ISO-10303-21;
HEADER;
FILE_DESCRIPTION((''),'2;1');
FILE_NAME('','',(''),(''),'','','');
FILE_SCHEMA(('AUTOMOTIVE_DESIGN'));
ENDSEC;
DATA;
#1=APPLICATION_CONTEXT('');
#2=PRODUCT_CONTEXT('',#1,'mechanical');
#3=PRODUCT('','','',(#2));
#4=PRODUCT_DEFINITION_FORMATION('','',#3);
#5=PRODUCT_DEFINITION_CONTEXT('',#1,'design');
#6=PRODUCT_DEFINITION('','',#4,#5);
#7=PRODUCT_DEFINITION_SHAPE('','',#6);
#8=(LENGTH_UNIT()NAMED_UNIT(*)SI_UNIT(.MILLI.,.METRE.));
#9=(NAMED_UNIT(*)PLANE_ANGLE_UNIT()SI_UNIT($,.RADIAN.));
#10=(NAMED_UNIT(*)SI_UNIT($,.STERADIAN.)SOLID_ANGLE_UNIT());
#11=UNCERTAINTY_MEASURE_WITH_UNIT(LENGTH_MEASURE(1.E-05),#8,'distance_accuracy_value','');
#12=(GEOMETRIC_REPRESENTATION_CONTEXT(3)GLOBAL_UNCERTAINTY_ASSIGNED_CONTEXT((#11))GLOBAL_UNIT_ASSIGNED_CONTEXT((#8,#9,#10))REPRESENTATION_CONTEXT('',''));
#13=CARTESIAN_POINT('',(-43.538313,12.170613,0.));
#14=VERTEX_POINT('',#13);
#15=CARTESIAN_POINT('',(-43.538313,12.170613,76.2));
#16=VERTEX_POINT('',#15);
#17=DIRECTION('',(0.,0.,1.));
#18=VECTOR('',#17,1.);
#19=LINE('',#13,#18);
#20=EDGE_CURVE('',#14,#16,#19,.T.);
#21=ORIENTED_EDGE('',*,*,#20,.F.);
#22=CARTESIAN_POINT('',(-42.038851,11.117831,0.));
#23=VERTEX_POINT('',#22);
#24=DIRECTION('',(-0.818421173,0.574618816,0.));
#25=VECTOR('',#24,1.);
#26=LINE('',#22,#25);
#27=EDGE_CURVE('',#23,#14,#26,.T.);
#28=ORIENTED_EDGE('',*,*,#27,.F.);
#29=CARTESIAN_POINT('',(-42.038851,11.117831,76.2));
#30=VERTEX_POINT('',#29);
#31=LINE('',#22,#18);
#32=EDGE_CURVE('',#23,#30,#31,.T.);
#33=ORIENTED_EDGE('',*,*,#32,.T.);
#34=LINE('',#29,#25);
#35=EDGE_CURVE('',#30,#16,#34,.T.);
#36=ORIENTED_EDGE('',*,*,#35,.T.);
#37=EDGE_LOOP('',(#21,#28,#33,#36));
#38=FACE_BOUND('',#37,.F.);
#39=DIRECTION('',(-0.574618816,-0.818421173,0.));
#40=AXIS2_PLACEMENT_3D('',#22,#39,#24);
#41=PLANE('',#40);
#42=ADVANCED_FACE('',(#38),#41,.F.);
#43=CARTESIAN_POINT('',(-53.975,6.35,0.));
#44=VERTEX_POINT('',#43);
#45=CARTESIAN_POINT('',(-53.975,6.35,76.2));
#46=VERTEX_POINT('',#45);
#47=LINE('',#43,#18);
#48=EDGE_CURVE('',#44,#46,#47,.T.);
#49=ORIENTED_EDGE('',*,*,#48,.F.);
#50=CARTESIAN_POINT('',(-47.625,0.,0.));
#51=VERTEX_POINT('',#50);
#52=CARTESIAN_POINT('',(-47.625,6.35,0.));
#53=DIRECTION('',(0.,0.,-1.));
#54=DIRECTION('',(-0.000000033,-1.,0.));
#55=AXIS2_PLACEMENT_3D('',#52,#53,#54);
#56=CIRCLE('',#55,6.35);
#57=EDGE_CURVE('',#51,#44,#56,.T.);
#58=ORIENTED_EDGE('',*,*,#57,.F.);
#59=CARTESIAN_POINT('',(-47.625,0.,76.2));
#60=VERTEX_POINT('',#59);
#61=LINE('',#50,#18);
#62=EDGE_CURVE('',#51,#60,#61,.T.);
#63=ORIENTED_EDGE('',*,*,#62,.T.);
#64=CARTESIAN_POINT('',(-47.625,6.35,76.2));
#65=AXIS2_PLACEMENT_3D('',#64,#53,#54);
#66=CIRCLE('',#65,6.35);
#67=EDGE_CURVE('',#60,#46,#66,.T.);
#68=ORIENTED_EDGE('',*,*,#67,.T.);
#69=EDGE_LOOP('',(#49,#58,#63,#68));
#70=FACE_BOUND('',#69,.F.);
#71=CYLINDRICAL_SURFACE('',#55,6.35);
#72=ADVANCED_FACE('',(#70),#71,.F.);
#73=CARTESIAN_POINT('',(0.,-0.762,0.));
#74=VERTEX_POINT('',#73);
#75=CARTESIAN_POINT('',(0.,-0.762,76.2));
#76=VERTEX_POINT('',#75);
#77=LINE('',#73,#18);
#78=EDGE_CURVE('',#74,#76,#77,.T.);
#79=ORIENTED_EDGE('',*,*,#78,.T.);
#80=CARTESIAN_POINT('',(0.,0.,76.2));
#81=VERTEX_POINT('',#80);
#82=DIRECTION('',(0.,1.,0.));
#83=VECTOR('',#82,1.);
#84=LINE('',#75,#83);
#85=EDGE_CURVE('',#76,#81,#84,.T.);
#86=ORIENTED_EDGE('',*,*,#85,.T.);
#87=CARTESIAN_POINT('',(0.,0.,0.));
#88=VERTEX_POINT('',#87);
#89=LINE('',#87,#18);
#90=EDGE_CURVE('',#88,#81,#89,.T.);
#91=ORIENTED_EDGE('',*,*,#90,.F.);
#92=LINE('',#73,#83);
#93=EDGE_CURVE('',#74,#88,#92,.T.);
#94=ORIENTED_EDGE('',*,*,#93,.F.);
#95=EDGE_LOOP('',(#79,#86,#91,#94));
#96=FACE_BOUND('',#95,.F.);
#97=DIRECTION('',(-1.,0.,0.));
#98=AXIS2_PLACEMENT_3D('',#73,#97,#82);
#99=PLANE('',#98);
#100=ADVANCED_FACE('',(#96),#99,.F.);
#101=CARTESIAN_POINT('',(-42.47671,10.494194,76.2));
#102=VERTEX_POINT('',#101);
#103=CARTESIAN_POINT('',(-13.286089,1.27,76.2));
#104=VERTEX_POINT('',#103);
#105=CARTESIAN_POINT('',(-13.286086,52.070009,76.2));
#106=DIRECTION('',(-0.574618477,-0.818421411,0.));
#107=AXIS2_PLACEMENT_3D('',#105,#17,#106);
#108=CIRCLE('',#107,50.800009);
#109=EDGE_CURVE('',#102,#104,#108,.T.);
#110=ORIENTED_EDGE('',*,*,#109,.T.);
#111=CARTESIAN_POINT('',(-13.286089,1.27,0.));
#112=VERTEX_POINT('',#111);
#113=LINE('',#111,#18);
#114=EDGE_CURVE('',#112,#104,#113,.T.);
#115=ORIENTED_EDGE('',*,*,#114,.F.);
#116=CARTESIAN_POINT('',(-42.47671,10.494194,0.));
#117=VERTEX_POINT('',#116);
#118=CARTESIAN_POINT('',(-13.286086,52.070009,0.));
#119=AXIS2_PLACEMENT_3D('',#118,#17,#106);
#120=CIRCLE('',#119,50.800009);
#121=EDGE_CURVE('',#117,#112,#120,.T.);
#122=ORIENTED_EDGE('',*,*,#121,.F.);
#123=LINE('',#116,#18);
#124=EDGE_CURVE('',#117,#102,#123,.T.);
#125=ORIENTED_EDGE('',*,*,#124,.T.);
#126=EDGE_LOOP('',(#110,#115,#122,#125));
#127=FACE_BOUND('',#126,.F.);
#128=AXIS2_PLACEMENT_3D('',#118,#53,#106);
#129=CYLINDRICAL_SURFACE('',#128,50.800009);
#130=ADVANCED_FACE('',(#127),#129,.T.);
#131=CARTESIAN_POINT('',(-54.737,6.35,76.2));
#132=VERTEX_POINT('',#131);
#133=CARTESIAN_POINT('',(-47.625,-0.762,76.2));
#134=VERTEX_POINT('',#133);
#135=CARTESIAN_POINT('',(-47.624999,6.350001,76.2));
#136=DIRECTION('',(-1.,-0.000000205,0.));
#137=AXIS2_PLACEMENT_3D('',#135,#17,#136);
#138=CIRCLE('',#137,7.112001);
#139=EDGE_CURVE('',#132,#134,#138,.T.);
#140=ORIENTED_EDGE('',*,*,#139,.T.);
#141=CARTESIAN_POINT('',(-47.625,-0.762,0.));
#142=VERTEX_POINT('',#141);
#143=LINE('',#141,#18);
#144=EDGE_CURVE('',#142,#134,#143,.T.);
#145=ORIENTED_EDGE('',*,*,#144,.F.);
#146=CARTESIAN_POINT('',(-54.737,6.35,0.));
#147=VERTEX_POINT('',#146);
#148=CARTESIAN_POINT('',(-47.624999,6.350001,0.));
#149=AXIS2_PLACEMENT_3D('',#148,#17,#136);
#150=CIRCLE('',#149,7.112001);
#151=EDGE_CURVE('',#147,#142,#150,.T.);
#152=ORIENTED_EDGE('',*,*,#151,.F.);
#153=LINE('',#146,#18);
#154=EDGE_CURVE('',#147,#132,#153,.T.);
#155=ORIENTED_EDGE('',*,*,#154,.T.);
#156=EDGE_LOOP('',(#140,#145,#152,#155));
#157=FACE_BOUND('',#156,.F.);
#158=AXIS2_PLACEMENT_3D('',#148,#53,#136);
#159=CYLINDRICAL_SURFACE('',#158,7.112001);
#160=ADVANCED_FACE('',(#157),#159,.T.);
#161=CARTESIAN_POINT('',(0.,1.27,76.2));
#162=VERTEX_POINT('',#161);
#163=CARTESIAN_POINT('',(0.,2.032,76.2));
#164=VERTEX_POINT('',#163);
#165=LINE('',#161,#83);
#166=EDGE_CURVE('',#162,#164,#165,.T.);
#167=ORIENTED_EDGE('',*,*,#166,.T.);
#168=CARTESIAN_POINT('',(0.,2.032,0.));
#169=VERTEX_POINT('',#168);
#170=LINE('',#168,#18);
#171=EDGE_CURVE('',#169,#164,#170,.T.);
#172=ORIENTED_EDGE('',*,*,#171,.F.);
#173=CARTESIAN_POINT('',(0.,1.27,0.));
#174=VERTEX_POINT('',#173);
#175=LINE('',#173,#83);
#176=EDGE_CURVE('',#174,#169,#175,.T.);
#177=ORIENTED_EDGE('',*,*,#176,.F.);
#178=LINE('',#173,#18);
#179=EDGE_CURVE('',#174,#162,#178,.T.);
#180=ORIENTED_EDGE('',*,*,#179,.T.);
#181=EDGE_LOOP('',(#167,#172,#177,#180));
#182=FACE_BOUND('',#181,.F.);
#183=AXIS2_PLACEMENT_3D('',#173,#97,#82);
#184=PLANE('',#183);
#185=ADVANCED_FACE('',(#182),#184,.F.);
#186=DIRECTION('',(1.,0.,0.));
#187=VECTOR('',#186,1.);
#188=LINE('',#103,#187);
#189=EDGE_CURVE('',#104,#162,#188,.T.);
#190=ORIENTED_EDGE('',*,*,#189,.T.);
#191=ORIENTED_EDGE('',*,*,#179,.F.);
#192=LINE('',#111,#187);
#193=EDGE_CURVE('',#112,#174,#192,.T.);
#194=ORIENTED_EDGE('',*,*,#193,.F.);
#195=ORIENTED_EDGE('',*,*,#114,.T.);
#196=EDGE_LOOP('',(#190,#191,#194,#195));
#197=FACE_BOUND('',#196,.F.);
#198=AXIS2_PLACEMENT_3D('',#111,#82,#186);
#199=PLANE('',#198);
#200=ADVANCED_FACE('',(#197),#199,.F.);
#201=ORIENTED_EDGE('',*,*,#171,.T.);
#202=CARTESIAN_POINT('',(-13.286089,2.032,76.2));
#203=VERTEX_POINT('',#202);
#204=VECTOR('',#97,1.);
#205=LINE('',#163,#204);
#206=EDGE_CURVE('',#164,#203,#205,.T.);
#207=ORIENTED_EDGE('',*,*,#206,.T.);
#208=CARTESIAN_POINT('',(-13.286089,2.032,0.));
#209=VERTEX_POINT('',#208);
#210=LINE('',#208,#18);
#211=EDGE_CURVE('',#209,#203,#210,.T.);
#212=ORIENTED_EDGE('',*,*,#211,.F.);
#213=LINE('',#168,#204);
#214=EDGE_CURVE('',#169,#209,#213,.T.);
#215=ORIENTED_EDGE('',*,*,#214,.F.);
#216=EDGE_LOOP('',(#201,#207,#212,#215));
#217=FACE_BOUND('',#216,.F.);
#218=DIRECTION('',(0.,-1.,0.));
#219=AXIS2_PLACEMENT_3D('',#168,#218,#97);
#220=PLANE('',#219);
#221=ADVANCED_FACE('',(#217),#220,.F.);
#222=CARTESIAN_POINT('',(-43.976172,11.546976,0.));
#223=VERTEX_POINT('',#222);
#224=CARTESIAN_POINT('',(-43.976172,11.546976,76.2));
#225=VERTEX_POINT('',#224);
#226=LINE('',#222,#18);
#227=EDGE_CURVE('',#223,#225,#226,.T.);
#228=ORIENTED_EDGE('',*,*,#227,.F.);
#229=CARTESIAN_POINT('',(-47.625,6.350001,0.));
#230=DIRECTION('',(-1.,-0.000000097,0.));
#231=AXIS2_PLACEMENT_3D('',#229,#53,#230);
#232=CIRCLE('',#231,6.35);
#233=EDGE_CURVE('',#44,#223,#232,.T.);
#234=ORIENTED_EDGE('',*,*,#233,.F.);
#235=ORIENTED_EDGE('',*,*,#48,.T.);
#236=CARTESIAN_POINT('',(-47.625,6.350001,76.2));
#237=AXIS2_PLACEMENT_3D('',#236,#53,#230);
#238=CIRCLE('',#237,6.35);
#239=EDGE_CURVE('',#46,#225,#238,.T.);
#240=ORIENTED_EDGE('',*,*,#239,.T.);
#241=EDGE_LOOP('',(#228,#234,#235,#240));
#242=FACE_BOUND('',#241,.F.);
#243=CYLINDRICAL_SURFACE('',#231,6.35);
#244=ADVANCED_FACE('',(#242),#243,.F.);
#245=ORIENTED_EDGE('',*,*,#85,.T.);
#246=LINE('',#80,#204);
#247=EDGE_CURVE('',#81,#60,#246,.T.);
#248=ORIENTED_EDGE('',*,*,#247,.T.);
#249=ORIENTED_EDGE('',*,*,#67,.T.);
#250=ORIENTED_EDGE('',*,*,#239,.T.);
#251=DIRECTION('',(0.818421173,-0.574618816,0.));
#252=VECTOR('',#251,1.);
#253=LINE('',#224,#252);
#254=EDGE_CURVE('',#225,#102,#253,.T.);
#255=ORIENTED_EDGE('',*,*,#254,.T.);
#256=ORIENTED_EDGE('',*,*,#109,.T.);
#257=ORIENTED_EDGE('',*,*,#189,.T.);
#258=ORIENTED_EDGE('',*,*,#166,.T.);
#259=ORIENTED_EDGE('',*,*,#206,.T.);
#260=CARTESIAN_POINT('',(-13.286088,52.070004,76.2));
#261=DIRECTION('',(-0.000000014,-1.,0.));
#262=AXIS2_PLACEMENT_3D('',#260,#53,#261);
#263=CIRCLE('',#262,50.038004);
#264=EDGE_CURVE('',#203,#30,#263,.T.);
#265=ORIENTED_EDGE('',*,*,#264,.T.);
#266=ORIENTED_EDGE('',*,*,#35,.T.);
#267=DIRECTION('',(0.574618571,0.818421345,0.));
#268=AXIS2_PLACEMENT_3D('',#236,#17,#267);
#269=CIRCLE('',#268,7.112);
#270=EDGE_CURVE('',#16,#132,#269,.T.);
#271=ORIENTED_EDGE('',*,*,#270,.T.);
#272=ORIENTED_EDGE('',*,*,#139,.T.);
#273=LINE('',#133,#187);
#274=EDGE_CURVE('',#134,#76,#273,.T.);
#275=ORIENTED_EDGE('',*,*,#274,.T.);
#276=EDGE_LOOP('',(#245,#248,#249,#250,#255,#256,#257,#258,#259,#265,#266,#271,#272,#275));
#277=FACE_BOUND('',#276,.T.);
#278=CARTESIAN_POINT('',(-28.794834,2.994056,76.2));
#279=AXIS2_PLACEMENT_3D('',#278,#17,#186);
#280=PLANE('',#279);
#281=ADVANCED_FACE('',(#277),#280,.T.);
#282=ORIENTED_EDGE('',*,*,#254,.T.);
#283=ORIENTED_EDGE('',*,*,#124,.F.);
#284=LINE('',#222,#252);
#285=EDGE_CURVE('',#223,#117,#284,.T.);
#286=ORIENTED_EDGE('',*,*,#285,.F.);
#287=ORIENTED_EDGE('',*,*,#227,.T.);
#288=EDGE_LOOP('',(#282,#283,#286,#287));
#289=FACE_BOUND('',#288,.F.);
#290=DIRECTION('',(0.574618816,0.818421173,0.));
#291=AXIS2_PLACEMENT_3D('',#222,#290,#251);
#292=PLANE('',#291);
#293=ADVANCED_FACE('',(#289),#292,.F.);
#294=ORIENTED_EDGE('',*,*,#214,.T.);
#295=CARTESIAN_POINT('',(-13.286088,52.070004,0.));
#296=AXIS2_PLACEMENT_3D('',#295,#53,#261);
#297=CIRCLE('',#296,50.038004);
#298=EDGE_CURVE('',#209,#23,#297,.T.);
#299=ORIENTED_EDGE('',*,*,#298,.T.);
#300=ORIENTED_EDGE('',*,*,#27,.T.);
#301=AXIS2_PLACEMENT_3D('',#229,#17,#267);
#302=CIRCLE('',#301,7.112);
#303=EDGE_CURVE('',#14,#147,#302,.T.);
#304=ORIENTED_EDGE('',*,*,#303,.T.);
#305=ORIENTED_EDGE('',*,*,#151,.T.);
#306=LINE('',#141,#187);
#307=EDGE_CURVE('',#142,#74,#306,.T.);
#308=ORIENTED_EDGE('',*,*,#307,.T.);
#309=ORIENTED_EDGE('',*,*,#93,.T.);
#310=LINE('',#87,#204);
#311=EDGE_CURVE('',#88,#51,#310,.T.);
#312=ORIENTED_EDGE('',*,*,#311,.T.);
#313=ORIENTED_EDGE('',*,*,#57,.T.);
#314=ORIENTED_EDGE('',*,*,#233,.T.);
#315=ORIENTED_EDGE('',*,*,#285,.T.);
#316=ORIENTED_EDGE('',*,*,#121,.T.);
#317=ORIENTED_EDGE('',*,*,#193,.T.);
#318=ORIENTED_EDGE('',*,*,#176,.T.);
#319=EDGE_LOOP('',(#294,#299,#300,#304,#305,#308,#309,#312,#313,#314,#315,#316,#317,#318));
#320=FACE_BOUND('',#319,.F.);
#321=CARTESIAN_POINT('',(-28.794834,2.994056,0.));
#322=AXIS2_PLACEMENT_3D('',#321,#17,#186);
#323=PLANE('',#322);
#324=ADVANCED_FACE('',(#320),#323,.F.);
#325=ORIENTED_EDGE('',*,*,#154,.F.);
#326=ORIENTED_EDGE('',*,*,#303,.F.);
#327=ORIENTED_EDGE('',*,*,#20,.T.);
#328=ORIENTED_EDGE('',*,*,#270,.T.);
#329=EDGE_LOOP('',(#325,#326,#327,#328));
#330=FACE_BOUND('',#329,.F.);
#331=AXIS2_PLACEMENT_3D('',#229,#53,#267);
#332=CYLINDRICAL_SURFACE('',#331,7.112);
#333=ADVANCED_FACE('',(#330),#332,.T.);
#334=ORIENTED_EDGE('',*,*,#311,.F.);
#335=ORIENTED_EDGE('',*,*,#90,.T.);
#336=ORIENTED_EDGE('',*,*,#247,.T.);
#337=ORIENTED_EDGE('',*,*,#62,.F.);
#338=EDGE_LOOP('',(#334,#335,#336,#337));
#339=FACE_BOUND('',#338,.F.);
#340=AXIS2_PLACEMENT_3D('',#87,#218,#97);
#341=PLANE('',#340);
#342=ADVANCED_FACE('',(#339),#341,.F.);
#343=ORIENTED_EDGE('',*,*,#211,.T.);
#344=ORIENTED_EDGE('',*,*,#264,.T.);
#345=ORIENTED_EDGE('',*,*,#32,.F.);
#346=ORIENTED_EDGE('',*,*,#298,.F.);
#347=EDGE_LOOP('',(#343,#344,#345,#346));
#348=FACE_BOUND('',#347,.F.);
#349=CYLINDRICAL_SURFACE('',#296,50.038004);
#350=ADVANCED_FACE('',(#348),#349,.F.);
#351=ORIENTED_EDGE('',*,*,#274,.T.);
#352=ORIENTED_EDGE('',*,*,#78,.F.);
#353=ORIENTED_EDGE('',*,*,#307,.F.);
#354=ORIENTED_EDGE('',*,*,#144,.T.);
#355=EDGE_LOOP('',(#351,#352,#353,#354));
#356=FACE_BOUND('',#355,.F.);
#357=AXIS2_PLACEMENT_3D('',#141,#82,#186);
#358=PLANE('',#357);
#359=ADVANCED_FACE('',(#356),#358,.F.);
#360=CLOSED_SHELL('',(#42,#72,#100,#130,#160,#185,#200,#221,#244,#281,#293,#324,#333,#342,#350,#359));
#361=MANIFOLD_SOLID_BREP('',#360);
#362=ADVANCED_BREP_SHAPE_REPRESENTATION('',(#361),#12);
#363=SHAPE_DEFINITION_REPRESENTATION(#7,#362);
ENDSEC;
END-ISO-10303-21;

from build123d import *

# Parameters (mm, degrees)
F1_DEPTH = 76.2


with BuildPart() as f1:
    # F0 (on Top) → F1 (new body)
    with BuildSketch(Plane.XY):
        with BuildLine():
            Line((0, -0.762), (0, 0))
            Line((0, 0), (-47.625, 0))
            ThreePointArc((-47.625, 0), (-52.115128, 1.859872), (-53.975, 6.35))
            ThreePointArc((-53.975, 6.35), (-50.553519, 11.984384), (-43.976172, 11.546976))
            Line((-43.976172, 11.546976), (-42.47671, 10.494194))
            ThreePointArc((-42.47671, 10.494194), (-28.592771, 3.63091), (-13.286089, 1.27))
            Line((-13.286089, 1.27), (0, 1.27))
            Line((0, 1.27), (0, 2.032))
            Line((0, 2.032), (-13.286089, 2.032))
            ThreePointArc((-13.286089, 2.032), (-28.363171, 4.357496), (-42.038851, 11.117831))
            Line((-42.038851, 11.117831), (-43.538313, 12.170613))
            ThreePointArc((-43.538313, 12.170613), (-50.904941, 12.66051), (-54.737, 6.35))
            ThreePointArc((-54.737, 6.35), (-52.653943, 1.321057), (-47.625, -0.762))
            Line((-47.625, -0.762), (0, -0.762))
        make_face()
    extrude(amount=F1_DEPTH)


solid = f1.part
